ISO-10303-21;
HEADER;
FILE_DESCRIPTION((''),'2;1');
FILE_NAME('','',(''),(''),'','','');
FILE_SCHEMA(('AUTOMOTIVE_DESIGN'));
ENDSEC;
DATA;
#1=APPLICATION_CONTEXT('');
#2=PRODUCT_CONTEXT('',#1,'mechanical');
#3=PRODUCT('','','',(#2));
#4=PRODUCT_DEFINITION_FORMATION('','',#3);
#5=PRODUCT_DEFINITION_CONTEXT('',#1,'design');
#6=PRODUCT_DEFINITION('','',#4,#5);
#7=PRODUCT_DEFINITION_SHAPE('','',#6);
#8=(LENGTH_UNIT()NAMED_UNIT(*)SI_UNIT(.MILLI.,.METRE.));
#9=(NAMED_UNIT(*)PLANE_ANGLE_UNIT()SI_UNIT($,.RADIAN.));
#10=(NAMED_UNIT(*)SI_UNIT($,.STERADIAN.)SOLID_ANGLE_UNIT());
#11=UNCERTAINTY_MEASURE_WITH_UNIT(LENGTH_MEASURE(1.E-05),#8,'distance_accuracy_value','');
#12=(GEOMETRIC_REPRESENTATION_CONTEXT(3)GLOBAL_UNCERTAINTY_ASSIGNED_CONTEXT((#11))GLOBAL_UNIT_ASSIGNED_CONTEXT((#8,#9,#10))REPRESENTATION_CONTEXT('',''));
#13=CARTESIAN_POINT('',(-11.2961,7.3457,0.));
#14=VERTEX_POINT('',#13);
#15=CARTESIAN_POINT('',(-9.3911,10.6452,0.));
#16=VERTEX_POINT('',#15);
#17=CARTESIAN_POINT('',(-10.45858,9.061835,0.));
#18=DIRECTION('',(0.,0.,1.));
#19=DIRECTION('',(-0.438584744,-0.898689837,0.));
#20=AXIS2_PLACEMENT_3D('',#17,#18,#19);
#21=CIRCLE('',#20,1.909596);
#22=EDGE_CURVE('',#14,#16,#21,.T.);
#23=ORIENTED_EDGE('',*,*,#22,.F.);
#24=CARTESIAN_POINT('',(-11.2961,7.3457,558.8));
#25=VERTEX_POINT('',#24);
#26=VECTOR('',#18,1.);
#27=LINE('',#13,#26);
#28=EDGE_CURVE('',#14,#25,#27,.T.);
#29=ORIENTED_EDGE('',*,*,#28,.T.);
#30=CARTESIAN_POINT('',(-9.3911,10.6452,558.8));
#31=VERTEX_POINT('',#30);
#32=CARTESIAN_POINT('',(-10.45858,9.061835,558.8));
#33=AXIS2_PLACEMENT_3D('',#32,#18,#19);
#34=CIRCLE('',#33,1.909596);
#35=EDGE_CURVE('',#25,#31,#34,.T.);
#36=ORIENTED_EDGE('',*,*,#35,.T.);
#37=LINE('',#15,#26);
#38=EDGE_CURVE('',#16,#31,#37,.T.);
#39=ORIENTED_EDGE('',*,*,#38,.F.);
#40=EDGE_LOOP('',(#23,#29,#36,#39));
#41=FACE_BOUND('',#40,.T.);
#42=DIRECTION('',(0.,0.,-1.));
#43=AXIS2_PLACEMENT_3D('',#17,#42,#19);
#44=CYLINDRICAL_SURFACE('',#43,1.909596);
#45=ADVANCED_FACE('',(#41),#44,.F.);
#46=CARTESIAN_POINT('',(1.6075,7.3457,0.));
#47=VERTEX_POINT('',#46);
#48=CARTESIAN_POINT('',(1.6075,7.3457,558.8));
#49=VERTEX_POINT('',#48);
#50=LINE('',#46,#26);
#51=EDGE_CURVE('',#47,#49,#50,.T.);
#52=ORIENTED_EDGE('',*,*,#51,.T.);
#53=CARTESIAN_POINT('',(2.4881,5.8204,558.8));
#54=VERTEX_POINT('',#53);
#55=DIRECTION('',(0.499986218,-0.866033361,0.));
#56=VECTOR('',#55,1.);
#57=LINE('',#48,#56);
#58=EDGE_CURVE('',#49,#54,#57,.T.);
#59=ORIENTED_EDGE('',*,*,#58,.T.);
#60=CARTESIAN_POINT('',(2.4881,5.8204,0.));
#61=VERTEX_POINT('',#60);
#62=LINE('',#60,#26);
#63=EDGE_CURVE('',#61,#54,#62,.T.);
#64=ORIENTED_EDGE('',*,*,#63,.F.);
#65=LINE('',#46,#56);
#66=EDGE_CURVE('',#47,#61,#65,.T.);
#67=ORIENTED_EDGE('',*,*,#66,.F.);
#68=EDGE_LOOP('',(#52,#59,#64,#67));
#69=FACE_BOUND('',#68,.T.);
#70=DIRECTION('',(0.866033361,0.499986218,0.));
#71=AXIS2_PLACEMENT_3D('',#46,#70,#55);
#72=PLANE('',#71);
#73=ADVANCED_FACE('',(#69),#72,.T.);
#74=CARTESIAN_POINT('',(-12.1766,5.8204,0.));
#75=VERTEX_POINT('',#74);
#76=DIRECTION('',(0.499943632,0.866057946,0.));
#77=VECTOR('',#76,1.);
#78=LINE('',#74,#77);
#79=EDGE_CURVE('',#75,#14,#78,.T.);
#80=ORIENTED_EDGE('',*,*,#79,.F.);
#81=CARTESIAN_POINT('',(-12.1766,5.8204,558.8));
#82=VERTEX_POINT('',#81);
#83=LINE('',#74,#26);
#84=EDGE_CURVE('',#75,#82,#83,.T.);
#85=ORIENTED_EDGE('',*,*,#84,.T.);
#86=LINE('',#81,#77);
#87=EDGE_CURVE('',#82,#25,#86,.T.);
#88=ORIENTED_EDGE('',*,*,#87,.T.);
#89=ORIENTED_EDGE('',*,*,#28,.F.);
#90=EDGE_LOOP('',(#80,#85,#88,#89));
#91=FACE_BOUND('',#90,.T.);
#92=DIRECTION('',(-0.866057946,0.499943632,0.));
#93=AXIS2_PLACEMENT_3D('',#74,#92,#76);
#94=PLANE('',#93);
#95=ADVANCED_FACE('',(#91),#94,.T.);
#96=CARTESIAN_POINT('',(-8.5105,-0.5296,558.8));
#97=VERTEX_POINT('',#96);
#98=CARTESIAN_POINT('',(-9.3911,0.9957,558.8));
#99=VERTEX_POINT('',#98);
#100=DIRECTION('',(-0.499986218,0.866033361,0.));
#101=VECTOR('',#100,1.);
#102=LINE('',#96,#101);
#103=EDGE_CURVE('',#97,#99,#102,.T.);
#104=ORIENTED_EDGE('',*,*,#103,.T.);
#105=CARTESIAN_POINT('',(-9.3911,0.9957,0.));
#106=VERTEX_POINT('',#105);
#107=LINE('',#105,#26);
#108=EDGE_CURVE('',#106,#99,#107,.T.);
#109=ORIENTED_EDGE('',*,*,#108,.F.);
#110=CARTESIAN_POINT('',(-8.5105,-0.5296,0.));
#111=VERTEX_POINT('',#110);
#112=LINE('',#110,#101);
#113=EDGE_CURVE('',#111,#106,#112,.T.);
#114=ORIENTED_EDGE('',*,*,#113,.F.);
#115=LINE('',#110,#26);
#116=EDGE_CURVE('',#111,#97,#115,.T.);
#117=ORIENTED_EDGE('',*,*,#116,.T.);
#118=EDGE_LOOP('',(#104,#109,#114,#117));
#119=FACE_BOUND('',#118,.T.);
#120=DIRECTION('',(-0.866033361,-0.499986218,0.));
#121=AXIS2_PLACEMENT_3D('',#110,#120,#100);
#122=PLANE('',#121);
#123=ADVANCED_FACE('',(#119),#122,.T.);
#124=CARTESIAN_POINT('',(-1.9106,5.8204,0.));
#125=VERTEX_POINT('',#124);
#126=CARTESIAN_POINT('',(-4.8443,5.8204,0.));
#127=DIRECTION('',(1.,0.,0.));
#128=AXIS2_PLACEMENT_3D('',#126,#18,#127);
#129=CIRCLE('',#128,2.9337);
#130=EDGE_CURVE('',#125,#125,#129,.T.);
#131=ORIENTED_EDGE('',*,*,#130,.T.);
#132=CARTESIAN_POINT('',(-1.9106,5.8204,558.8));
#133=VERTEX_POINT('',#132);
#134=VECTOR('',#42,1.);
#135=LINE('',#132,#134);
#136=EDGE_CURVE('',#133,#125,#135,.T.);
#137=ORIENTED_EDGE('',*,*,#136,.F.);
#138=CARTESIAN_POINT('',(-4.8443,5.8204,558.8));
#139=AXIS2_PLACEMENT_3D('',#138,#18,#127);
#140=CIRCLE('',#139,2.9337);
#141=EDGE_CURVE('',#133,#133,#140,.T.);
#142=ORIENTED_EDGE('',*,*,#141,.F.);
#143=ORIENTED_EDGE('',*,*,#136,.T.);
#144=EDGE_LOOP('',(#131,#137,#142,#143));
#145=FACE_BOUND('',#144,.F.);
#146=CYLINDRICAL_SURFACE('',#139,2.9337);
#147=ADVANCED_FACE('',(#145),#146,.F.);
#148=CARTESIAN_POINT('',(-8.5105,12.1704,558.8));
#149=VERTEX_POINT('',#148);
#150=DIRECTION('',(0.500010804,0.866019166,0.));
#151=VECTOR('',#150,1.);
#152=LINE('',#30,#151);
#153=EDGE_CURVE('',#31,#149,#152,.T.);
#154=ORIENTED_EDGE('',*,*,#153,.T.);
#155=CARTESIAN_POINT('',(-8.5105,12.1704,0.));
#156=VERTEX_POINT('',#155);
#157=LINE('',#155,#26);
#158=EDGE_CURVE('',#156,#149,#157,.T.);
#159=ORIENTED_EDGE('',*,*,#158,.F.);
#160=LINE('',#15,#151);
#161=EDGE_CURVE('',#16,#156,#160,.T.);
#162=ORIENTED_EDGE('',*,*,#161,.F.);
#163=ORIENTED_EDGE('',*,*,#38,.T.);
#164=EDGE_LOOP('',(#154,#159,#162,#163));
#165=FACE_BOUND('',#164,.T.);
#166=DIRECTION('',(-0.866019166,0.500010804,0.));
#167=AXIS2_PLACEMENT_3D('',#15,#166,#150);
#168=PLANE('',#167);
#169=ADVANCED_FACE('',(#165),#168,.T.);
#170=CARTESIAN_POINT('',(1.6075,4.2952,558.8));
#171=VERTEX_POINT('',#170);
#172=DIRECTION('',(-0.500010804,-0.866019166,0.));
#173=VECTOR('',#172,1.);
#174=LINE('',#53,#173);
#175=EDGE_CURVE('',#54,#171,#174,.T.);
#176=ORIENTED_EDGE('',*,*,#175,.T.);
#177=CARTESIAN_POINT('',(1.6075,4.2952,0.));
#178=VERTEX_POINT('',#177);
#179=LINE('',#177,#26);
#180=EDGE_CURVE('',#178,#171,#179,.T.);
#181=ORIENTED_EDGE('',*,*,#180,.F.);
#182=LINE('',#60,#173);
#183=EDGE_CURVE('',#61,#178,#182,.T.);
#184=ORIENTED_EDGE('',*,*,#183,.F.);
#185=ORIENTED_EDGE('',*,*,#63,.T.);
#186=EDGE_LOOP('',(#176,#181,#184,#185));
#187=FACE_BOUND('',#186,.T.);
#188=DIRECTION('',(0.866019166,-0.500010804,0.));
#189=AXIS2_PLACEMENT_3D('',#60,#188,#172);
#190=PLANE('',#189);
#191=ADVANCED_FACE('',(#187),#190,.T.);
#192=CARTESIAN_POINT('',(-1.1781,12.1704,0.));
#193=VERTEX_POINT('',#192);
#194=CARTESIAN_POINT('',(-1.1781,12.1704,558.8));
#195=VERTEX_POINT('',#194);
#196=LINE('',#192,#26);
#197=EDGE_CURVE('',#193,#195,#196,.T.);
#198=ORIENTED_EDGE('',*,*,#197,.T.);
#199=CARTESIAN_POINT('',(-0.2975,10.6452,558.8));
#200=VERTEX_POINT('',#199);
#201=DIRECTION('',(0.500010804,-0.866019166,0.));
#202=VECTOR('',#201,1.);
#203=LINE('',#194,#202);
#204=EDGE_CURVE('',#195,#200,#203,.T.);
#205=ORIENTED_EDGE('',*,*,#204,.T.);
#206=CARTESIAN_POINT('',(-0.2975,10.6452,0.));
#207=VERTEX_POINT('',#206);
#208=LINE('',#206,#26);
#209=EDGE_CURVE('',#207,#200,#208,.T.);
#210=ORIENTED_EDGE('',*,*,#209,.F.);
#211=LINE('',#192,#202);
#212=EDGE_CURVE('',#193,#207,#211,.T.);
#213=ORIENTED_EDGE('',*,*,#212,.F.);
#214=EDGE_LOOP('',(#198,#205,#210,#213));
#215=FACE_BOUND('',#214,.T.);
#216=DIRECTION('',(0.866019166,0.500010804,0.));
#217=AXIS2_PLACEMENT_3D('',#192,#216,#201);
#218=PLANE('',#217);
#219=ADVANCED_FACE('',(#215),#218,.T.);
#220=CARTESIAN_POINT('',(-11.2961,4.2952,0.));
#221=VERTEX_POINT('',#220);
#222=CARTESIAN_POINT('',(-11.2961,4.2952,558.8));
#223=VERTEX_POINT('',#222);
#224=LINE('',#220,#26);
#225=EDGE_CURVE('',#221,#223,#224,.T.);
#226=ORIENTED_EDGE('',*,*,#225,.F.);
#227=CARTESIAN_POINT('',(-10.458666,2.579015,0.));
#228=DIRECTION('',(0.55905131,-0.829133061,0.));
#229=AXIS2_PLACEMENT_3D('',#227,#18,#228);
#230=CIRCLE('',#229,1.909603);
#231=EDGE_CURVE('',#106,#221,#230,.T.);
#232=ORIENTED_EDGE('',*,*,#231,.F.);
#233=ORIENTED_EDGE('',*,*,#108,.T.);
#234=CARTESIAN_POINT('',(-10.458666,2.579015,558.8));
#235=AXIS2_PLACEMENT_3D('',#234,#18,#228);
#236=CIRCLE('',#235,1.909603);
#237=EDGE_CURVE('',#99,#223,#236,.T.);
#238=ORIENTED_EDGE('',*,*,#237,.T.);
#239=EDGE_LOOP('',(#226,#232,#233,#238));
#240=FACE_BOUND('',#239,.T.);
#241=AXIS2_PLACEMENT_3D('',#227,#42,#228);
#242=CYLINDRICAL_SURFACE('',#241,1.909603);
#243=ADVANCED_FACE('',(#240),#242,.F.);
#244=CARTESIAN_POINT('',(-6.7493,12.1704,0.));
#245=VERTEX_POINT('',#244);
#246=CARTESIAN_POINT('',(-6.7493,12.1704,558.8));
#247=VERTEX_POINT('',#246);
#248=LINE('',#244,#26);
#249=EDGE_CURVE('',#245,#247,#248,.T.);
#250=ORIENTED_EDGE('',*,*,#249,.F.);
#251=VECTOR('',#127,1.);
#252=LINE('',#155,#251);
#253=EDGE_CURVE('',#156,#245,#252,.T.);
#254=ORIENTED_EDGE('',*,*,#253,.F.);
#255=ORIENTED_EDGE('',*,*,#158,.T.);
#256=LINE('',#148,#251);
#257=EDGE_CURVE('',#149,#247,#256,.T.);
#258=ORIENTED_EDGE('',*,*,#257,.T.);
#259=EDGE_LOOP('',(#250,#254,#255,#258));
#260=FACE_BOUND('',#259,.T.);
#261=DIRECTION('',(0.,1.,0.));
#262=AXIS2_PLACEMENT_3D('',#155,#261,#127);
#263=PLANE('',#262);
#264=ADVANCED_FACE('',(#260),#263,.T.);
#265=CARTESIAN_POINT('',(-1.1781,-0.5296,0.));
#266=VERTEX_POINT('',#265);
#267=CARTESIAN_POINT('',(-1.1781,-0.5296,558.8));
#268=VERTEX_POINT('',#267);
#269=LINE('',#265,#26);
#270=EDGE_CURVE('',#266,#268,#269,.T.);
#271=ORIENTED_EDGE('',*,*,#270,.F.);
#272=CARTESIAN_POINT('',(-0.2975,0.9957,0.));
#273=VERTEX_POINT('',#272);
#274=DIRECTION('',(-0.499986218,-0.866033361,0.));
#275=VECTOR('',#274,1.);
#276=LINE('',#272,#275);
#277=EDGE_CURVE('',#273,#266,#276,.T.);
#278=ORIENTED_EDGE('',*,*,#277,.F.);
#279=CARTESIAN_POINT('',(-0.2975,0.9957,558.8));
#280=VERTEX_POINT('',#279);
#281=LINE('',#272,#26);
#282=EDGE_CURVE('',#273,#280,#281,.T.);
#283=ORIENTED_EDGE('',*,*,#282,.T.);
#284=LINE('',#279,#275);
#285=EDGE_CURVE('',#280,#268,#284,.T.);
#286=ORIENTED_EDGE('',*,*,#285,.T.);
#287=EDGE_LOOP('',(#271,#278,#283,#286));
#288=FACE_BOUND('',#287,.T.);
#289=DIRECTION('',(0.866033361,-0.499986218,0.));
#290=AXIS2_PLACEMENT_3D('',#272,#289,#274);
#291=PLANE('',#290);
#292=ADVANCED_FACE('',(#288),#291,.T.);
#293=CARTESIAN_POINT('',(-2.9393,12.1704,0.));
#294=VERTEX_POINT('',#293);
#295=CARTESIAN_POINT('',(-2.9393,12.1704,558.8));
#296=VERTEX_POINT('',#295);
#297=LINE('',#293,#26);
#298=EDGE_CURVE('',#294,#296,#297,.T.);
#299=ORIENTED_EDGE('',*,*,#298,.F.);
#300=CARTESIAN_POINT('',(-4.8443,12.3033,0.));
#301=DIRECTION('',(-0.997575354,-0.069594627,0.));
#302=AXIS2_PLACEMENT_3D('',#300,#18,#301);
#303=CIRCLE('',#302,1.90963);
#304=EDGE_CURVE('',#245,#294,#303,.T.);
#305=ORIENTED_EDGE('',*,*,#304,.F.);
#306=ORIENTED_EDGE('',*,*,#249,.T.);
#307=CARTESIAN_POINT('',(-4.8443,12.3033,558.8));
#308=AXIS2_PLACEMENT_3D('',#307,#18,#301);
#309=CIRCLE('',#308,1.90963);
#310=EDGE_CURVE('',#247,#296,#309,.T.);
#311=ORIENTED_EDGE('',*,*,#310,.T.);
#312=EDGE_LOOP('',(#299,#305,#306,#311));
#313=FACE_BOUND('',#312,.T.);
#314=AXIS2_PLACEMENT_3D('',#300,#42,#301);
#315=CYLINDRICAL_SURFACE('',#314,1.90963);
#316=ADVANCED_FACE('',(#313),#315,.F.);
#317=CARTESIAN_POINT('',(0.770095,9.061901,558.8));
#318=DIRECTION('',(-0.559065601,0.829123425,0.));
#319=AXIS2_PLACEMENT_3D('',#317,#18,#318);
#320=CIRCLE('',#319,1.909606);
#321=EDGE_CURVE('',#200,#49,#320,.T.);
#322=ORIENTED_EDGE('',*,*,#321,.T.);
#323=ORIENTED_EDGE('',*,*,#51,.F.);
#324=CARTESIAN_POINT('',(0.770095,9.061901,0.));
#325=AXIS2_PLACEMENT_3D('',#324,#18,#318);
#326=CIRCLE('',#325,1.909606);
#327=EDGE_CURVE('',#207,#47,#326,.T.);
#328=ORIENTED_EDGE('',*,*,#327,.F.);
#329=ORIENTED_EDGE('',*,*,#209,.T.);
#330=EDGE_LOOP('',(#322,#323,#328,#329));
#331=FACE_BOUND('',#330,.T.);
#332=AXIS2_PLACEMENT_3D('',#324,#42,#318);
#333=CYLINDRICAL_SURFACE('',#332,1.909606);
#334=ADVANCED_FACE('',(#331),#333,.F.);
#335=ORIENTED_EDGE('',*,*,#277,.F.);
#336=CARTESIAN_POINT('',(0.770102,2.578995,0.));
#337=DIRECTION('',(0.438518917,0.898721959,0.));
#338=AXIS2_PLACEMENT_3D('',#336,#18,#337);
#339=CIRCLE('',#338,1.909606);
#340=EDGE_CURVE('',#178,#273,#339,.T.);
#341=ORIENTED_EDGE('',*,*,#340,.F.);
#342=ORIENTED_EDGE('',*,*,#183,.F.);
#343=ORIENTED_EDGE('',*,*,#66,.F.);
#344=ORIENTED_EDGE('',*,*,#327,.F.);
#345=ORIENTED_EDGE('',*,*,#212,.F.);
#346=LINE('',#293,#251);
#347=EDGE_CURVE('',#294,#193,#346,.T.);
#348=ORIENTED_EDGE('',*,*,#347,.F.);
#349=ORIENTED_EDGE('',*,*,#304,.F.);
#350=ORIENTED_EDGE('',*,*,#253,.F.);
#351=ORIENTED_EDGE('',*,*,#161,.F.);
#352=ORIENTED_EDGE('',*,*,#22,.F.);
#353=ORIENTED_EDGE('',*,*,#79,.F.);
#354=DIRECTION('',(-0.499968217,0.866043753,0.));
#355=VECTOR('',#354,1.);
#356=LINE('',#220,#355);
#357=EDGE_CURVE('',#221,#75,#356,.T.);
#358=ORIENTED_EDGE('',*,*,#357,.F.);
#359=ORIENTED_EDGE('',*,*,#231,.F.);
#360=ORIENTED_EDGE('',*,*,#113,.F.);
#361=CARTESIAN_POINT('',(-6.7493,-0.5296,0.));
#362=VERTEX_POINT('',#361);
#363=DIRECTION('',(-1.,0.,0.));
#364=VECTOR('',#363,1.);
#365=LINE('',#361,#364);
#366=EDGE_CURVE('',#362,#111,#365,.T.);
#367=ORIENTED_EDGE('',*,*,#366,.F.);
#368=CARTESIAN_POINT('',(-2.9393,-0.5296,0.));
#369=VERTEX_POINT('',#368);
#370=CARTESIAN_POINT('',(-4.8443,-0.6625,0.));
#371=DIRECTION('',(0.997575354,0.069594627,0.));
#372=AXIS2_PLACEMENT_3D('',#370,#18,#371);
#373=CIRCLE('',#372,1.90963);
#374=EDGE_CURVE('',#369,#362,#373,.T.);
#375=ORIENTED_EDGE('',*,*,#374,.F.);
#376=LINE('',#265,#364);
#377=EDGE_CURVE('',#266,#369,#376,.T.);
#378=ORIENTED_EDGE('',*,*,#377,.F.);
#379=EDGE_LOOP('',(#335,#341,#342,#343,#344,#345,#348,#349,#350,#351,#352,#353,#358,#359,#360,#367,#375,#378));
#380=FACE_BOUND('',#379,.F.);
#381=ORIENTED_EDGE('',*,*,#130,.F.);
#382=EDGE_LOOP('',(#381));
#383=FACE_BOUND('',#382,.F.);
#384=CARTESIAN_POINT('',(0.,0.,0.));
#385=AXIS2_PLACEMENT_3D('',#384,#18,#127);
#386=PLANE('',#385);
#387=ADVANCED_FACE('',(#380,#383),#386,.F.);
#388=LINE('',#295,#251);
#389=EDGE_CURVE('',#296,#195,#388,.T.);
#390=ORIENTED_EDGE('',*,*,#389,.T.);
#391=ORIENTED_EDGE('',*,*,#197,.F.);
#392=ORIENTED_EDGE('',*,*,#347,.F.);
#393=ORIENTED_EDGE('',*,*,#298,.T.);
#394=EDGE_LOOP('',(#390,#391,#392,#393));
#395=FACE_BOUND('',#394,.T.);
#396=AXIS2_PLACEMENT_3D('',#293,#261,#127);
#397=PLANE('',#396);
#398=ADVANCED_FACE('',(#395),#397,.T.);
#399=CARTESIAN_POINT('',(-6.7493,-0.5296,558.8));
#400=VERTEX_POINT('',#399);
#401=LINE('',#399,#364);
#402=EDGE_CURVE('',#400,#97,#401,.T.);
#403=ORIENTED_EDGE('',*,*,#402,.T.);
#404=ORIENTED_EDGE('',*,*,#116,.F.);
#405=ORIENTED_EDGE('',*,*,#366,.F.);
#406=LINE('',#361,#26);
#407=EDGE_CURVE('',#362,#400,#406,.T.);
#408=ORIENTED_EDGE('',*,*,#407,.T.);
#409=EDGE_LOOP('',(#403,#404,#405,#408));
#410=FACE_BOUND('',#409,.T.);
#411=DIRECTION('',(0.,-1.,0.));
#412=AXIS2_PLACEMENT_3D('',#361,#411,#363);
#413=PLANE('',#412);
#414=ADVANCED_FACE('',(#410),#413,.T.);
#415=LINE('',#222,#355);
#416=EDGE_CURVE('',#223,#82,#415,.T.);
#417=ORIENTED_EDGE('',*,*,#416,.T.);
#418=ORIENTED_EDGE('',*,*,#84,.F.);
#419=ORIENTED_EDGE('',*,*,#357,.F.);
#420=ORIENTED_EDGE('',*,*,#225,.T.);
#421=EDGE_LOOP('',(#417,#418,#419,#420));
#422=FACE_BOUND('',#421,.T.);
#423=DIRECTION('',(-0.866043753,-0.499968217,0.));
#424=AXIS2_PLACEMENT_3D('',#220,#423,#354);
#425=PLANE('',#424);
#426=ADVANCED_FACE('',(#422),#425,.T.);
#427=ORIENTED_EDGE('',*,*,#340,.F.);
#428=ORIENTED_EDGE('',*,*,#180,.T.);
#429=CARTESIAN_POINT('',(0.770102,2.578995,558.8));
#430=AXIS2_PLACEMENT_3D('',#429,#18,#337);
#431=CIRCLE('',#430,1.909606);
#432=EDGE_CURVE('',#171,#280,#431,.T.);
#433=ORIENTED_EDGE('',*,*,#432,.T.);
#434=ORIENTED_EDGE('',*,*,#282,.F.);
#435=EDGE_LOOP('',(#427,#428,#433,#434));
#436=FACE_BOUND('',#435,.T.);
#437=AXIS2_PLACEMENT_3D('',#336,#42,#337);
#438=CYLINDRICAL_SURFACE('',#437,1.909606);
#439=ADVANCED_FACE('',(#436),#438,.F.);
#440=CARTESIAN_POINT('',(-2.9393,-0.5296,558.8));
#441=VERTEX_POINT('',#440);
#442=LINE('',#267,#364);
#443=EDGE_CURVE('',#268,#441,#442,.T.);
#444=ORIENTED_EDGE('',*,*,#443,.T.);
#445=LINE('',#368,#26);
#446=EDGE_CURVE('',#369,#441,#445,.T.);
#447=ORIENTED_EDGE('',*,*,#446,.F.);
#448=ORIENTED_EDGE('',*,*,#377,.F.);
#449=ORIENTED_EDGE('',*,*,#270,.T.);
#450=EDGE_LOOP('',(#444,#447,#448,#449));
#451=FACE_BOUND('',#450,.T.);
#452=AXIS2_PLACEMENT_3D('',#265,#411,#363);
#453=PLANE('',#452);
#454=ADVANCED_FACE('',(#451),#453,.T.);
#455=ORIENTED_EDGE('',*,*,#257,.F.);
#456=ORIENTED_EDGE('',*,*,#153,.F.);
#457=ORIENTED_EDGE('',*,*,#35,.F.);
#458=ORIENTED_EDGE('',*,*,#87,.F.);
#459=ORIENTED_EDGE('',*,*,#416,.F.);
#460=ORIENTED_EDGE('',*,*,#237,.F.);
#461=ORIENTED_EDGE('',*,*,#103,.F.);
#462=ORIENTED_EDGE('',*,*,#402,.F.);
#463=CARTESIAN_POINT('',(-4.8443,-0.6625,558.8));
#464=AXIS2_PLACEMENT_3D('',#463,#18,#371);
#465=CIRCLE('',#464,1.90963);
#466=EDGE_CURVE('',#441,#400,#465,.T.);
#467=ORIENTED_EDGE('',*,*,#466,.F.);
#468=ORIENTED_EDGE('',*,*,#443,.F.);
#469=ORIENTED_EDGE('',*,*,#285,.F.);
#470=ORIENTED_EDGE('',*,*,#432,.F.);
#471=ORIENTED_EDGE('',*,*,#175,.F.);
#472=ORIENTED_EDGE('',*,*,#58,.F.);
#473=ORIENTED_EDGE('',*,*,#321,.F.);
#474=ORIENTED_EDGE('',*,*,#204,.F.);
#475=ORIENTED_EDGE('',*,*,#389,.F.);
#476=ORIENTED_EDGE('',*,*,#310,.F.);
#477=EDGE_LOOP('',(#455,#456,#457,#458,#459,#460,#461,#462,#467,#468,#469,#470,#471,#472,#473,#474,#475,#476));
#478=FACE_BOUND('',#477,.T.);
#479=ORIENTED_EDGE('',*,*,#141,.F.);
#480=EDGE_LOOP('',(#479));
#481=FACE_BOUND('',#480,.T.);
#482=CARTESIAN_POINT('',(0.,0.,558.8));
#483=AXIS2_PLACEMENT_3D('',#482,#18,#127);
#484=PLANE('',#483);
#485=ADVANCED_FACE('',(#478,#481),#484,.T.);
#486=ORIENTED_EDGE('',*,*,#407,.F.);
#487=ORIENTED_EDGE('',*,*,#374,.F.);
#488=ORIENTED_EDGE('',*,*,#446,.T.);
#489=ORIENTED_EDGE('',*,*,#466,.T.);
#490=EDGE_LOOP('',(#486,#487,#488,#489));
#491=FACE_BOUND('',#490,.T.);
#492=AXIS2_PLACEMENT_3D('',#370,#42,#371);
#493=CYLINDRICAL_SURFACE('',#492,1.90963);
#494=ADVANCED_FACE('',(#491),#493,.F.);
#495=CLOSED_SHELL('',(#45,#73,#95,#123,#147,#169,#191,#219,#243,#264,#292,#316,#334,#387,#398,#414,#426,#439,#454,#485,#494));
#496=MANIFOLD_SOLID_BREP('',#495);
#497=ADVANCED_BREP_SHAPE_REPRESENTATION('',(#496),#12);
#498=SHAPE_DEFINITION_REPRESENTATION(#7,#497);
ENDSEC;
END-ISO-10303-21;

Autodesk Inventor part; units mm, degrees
ref_plane "YZ Plane" through (0, 0, 0) normal (1, 0, 0) x (0, 1, 0)
ref_plane "XZ Plane" through (0, 0, 0) normal (0, 1, 0) x (-1, 0, 0)
ref_plane "XY Plane" through (0, 0, 0) normal (0, 0, 1) x (1, 0, 0)
sketch "Sketch1" plane through (0, 0, 0) normal (0, 0, 1) x (1, 0, 0)
  circle A0 centre (-4.8443, 5.8204) radius 6.35 construction
  arc A1 (-6.7493, 12.1704) -> (-2.9393, 12.1704) centre (-4.8443, 12.3033) ccw
  line L0 (-8.5105, 12.1704) -> (-6.7493, 12.1704)
  line L1 (-2.9393, 12.1704) -> (-1.1781, 12.1704)
  arc A2 (-0.2975, 10.6452) -> (1.6075, 7.3457) centre (0.7701, 9.0619) ccw
  arc A3 (1.6075, 4.2952) -> (-0.2975, 0.9957) centre (0.7701, 2.579) ccw
  arc A4 (-2.9393, -0.5296) -> (-6.7493, -0.5296) centre (-4.8443, -0.6625) ccw
  arc A5 (-9.3911, 0.9957) -> (-11.2961, 4.2952) centre (-10.4586, 2.579) ccw
  arc A6 (-11.2961, 7.3457) -> (-9.3911, 10.6452) centre (-10.4586, 9.0619) ccw
  line L2 (-12.1766, 5.8204) -> (-11.2961, 7.3457)
  line L3 (-8.5105, -0.5296) -> (-9.3911, 0.9957)
  line L4 (-1.1781, -0.5296) -> (-2.9393, -0.5296)
  line L5 (2.4881, 5.8204) -> (1.6075, 4.2952)
  line L6 (-1.1781, 12.1704) -> (-0.2975, 10.6452)
  line L7 (-9.3911, 10.6452) -> (-8.5105, 12.1704)
  line L8 (-11.2961, 4.2952) -> (-12.1766, 5.8204)
  line L9 (-6.7493, -0.5296) -> (-8.5105, -0.5296)
  line L10 (-0.2975, 0.9957) -> (-1.1781, -0.5296)
  line L11 (1.6075, 7.3457) -> (2.4881, 5.8204)
  point P0 (0, 0)
  point P1 (-4.8443, -0.5296)
  point P2 (-4.8443, 12.1704)
  point P3 (0.655, 8.9954)
  point P4 (0.655, 2.6454)
  point P5 (-4.8443, -0.5296)
  point P6 (-10.3436, 2.6454)
  point P7 (-10.3436, 8.9954)
  point P8 (-0.2975, 10.6452)
  point P9 (-9.3911, 10.6452)
  point P10 (-11.2961, 4.2952)
  point P11 (-9.3911, 0.9957)
  point P12 (-6.7493, -0.5296)
  point P13 (-2.9393, -0.5296)
  point P14 (1.6075, 7.3457)
  dimension "d2" = 12.7
  dimension "d7" = 360
  dimension "d11" = 360
  dimension "d15" = 360
extrude "Extrusion1" add sketch "Sketch1" along normal blind 558.8
sketch "Sketch2" plane through (0, 0, 558.8) normal (0, 0, 1) x (1, 0, 0)
  circle A0 centre (-4.8443, 5.8204) radius 2.9337
  line L0 (-8.5105, -0.5296) -> (-6.7493, -0.5296) projected
  line L1 (-8.5105, 12.1704) -> (-8.5105, -0.5296) construction
  line L2 (-1.1781, 12.1704) -> (-2.9393, 12.1704) projected
  line L3 (-2.9393, -0.5296) -> (-1.1781, -0.5296) projected
  line L4 (-1.1781, 12.1704) -> (-1.1781, -0.5296) construction
  line L5 (-4.8443, 9.4005) -> (-4.8443, 3.0295) construction
  point P0 (0, 0)
  dimension "d19" = 6.35
  dimension "d20" = 5.8674
extrude "Extrusion2" cut sketch "Sketch2" against normal blind 558.8
equation "\"d17\" = d23"
equation "\"d21\" = d23"
equation "\"d23\" = 558.8"
properties part number "Churro 22in"
